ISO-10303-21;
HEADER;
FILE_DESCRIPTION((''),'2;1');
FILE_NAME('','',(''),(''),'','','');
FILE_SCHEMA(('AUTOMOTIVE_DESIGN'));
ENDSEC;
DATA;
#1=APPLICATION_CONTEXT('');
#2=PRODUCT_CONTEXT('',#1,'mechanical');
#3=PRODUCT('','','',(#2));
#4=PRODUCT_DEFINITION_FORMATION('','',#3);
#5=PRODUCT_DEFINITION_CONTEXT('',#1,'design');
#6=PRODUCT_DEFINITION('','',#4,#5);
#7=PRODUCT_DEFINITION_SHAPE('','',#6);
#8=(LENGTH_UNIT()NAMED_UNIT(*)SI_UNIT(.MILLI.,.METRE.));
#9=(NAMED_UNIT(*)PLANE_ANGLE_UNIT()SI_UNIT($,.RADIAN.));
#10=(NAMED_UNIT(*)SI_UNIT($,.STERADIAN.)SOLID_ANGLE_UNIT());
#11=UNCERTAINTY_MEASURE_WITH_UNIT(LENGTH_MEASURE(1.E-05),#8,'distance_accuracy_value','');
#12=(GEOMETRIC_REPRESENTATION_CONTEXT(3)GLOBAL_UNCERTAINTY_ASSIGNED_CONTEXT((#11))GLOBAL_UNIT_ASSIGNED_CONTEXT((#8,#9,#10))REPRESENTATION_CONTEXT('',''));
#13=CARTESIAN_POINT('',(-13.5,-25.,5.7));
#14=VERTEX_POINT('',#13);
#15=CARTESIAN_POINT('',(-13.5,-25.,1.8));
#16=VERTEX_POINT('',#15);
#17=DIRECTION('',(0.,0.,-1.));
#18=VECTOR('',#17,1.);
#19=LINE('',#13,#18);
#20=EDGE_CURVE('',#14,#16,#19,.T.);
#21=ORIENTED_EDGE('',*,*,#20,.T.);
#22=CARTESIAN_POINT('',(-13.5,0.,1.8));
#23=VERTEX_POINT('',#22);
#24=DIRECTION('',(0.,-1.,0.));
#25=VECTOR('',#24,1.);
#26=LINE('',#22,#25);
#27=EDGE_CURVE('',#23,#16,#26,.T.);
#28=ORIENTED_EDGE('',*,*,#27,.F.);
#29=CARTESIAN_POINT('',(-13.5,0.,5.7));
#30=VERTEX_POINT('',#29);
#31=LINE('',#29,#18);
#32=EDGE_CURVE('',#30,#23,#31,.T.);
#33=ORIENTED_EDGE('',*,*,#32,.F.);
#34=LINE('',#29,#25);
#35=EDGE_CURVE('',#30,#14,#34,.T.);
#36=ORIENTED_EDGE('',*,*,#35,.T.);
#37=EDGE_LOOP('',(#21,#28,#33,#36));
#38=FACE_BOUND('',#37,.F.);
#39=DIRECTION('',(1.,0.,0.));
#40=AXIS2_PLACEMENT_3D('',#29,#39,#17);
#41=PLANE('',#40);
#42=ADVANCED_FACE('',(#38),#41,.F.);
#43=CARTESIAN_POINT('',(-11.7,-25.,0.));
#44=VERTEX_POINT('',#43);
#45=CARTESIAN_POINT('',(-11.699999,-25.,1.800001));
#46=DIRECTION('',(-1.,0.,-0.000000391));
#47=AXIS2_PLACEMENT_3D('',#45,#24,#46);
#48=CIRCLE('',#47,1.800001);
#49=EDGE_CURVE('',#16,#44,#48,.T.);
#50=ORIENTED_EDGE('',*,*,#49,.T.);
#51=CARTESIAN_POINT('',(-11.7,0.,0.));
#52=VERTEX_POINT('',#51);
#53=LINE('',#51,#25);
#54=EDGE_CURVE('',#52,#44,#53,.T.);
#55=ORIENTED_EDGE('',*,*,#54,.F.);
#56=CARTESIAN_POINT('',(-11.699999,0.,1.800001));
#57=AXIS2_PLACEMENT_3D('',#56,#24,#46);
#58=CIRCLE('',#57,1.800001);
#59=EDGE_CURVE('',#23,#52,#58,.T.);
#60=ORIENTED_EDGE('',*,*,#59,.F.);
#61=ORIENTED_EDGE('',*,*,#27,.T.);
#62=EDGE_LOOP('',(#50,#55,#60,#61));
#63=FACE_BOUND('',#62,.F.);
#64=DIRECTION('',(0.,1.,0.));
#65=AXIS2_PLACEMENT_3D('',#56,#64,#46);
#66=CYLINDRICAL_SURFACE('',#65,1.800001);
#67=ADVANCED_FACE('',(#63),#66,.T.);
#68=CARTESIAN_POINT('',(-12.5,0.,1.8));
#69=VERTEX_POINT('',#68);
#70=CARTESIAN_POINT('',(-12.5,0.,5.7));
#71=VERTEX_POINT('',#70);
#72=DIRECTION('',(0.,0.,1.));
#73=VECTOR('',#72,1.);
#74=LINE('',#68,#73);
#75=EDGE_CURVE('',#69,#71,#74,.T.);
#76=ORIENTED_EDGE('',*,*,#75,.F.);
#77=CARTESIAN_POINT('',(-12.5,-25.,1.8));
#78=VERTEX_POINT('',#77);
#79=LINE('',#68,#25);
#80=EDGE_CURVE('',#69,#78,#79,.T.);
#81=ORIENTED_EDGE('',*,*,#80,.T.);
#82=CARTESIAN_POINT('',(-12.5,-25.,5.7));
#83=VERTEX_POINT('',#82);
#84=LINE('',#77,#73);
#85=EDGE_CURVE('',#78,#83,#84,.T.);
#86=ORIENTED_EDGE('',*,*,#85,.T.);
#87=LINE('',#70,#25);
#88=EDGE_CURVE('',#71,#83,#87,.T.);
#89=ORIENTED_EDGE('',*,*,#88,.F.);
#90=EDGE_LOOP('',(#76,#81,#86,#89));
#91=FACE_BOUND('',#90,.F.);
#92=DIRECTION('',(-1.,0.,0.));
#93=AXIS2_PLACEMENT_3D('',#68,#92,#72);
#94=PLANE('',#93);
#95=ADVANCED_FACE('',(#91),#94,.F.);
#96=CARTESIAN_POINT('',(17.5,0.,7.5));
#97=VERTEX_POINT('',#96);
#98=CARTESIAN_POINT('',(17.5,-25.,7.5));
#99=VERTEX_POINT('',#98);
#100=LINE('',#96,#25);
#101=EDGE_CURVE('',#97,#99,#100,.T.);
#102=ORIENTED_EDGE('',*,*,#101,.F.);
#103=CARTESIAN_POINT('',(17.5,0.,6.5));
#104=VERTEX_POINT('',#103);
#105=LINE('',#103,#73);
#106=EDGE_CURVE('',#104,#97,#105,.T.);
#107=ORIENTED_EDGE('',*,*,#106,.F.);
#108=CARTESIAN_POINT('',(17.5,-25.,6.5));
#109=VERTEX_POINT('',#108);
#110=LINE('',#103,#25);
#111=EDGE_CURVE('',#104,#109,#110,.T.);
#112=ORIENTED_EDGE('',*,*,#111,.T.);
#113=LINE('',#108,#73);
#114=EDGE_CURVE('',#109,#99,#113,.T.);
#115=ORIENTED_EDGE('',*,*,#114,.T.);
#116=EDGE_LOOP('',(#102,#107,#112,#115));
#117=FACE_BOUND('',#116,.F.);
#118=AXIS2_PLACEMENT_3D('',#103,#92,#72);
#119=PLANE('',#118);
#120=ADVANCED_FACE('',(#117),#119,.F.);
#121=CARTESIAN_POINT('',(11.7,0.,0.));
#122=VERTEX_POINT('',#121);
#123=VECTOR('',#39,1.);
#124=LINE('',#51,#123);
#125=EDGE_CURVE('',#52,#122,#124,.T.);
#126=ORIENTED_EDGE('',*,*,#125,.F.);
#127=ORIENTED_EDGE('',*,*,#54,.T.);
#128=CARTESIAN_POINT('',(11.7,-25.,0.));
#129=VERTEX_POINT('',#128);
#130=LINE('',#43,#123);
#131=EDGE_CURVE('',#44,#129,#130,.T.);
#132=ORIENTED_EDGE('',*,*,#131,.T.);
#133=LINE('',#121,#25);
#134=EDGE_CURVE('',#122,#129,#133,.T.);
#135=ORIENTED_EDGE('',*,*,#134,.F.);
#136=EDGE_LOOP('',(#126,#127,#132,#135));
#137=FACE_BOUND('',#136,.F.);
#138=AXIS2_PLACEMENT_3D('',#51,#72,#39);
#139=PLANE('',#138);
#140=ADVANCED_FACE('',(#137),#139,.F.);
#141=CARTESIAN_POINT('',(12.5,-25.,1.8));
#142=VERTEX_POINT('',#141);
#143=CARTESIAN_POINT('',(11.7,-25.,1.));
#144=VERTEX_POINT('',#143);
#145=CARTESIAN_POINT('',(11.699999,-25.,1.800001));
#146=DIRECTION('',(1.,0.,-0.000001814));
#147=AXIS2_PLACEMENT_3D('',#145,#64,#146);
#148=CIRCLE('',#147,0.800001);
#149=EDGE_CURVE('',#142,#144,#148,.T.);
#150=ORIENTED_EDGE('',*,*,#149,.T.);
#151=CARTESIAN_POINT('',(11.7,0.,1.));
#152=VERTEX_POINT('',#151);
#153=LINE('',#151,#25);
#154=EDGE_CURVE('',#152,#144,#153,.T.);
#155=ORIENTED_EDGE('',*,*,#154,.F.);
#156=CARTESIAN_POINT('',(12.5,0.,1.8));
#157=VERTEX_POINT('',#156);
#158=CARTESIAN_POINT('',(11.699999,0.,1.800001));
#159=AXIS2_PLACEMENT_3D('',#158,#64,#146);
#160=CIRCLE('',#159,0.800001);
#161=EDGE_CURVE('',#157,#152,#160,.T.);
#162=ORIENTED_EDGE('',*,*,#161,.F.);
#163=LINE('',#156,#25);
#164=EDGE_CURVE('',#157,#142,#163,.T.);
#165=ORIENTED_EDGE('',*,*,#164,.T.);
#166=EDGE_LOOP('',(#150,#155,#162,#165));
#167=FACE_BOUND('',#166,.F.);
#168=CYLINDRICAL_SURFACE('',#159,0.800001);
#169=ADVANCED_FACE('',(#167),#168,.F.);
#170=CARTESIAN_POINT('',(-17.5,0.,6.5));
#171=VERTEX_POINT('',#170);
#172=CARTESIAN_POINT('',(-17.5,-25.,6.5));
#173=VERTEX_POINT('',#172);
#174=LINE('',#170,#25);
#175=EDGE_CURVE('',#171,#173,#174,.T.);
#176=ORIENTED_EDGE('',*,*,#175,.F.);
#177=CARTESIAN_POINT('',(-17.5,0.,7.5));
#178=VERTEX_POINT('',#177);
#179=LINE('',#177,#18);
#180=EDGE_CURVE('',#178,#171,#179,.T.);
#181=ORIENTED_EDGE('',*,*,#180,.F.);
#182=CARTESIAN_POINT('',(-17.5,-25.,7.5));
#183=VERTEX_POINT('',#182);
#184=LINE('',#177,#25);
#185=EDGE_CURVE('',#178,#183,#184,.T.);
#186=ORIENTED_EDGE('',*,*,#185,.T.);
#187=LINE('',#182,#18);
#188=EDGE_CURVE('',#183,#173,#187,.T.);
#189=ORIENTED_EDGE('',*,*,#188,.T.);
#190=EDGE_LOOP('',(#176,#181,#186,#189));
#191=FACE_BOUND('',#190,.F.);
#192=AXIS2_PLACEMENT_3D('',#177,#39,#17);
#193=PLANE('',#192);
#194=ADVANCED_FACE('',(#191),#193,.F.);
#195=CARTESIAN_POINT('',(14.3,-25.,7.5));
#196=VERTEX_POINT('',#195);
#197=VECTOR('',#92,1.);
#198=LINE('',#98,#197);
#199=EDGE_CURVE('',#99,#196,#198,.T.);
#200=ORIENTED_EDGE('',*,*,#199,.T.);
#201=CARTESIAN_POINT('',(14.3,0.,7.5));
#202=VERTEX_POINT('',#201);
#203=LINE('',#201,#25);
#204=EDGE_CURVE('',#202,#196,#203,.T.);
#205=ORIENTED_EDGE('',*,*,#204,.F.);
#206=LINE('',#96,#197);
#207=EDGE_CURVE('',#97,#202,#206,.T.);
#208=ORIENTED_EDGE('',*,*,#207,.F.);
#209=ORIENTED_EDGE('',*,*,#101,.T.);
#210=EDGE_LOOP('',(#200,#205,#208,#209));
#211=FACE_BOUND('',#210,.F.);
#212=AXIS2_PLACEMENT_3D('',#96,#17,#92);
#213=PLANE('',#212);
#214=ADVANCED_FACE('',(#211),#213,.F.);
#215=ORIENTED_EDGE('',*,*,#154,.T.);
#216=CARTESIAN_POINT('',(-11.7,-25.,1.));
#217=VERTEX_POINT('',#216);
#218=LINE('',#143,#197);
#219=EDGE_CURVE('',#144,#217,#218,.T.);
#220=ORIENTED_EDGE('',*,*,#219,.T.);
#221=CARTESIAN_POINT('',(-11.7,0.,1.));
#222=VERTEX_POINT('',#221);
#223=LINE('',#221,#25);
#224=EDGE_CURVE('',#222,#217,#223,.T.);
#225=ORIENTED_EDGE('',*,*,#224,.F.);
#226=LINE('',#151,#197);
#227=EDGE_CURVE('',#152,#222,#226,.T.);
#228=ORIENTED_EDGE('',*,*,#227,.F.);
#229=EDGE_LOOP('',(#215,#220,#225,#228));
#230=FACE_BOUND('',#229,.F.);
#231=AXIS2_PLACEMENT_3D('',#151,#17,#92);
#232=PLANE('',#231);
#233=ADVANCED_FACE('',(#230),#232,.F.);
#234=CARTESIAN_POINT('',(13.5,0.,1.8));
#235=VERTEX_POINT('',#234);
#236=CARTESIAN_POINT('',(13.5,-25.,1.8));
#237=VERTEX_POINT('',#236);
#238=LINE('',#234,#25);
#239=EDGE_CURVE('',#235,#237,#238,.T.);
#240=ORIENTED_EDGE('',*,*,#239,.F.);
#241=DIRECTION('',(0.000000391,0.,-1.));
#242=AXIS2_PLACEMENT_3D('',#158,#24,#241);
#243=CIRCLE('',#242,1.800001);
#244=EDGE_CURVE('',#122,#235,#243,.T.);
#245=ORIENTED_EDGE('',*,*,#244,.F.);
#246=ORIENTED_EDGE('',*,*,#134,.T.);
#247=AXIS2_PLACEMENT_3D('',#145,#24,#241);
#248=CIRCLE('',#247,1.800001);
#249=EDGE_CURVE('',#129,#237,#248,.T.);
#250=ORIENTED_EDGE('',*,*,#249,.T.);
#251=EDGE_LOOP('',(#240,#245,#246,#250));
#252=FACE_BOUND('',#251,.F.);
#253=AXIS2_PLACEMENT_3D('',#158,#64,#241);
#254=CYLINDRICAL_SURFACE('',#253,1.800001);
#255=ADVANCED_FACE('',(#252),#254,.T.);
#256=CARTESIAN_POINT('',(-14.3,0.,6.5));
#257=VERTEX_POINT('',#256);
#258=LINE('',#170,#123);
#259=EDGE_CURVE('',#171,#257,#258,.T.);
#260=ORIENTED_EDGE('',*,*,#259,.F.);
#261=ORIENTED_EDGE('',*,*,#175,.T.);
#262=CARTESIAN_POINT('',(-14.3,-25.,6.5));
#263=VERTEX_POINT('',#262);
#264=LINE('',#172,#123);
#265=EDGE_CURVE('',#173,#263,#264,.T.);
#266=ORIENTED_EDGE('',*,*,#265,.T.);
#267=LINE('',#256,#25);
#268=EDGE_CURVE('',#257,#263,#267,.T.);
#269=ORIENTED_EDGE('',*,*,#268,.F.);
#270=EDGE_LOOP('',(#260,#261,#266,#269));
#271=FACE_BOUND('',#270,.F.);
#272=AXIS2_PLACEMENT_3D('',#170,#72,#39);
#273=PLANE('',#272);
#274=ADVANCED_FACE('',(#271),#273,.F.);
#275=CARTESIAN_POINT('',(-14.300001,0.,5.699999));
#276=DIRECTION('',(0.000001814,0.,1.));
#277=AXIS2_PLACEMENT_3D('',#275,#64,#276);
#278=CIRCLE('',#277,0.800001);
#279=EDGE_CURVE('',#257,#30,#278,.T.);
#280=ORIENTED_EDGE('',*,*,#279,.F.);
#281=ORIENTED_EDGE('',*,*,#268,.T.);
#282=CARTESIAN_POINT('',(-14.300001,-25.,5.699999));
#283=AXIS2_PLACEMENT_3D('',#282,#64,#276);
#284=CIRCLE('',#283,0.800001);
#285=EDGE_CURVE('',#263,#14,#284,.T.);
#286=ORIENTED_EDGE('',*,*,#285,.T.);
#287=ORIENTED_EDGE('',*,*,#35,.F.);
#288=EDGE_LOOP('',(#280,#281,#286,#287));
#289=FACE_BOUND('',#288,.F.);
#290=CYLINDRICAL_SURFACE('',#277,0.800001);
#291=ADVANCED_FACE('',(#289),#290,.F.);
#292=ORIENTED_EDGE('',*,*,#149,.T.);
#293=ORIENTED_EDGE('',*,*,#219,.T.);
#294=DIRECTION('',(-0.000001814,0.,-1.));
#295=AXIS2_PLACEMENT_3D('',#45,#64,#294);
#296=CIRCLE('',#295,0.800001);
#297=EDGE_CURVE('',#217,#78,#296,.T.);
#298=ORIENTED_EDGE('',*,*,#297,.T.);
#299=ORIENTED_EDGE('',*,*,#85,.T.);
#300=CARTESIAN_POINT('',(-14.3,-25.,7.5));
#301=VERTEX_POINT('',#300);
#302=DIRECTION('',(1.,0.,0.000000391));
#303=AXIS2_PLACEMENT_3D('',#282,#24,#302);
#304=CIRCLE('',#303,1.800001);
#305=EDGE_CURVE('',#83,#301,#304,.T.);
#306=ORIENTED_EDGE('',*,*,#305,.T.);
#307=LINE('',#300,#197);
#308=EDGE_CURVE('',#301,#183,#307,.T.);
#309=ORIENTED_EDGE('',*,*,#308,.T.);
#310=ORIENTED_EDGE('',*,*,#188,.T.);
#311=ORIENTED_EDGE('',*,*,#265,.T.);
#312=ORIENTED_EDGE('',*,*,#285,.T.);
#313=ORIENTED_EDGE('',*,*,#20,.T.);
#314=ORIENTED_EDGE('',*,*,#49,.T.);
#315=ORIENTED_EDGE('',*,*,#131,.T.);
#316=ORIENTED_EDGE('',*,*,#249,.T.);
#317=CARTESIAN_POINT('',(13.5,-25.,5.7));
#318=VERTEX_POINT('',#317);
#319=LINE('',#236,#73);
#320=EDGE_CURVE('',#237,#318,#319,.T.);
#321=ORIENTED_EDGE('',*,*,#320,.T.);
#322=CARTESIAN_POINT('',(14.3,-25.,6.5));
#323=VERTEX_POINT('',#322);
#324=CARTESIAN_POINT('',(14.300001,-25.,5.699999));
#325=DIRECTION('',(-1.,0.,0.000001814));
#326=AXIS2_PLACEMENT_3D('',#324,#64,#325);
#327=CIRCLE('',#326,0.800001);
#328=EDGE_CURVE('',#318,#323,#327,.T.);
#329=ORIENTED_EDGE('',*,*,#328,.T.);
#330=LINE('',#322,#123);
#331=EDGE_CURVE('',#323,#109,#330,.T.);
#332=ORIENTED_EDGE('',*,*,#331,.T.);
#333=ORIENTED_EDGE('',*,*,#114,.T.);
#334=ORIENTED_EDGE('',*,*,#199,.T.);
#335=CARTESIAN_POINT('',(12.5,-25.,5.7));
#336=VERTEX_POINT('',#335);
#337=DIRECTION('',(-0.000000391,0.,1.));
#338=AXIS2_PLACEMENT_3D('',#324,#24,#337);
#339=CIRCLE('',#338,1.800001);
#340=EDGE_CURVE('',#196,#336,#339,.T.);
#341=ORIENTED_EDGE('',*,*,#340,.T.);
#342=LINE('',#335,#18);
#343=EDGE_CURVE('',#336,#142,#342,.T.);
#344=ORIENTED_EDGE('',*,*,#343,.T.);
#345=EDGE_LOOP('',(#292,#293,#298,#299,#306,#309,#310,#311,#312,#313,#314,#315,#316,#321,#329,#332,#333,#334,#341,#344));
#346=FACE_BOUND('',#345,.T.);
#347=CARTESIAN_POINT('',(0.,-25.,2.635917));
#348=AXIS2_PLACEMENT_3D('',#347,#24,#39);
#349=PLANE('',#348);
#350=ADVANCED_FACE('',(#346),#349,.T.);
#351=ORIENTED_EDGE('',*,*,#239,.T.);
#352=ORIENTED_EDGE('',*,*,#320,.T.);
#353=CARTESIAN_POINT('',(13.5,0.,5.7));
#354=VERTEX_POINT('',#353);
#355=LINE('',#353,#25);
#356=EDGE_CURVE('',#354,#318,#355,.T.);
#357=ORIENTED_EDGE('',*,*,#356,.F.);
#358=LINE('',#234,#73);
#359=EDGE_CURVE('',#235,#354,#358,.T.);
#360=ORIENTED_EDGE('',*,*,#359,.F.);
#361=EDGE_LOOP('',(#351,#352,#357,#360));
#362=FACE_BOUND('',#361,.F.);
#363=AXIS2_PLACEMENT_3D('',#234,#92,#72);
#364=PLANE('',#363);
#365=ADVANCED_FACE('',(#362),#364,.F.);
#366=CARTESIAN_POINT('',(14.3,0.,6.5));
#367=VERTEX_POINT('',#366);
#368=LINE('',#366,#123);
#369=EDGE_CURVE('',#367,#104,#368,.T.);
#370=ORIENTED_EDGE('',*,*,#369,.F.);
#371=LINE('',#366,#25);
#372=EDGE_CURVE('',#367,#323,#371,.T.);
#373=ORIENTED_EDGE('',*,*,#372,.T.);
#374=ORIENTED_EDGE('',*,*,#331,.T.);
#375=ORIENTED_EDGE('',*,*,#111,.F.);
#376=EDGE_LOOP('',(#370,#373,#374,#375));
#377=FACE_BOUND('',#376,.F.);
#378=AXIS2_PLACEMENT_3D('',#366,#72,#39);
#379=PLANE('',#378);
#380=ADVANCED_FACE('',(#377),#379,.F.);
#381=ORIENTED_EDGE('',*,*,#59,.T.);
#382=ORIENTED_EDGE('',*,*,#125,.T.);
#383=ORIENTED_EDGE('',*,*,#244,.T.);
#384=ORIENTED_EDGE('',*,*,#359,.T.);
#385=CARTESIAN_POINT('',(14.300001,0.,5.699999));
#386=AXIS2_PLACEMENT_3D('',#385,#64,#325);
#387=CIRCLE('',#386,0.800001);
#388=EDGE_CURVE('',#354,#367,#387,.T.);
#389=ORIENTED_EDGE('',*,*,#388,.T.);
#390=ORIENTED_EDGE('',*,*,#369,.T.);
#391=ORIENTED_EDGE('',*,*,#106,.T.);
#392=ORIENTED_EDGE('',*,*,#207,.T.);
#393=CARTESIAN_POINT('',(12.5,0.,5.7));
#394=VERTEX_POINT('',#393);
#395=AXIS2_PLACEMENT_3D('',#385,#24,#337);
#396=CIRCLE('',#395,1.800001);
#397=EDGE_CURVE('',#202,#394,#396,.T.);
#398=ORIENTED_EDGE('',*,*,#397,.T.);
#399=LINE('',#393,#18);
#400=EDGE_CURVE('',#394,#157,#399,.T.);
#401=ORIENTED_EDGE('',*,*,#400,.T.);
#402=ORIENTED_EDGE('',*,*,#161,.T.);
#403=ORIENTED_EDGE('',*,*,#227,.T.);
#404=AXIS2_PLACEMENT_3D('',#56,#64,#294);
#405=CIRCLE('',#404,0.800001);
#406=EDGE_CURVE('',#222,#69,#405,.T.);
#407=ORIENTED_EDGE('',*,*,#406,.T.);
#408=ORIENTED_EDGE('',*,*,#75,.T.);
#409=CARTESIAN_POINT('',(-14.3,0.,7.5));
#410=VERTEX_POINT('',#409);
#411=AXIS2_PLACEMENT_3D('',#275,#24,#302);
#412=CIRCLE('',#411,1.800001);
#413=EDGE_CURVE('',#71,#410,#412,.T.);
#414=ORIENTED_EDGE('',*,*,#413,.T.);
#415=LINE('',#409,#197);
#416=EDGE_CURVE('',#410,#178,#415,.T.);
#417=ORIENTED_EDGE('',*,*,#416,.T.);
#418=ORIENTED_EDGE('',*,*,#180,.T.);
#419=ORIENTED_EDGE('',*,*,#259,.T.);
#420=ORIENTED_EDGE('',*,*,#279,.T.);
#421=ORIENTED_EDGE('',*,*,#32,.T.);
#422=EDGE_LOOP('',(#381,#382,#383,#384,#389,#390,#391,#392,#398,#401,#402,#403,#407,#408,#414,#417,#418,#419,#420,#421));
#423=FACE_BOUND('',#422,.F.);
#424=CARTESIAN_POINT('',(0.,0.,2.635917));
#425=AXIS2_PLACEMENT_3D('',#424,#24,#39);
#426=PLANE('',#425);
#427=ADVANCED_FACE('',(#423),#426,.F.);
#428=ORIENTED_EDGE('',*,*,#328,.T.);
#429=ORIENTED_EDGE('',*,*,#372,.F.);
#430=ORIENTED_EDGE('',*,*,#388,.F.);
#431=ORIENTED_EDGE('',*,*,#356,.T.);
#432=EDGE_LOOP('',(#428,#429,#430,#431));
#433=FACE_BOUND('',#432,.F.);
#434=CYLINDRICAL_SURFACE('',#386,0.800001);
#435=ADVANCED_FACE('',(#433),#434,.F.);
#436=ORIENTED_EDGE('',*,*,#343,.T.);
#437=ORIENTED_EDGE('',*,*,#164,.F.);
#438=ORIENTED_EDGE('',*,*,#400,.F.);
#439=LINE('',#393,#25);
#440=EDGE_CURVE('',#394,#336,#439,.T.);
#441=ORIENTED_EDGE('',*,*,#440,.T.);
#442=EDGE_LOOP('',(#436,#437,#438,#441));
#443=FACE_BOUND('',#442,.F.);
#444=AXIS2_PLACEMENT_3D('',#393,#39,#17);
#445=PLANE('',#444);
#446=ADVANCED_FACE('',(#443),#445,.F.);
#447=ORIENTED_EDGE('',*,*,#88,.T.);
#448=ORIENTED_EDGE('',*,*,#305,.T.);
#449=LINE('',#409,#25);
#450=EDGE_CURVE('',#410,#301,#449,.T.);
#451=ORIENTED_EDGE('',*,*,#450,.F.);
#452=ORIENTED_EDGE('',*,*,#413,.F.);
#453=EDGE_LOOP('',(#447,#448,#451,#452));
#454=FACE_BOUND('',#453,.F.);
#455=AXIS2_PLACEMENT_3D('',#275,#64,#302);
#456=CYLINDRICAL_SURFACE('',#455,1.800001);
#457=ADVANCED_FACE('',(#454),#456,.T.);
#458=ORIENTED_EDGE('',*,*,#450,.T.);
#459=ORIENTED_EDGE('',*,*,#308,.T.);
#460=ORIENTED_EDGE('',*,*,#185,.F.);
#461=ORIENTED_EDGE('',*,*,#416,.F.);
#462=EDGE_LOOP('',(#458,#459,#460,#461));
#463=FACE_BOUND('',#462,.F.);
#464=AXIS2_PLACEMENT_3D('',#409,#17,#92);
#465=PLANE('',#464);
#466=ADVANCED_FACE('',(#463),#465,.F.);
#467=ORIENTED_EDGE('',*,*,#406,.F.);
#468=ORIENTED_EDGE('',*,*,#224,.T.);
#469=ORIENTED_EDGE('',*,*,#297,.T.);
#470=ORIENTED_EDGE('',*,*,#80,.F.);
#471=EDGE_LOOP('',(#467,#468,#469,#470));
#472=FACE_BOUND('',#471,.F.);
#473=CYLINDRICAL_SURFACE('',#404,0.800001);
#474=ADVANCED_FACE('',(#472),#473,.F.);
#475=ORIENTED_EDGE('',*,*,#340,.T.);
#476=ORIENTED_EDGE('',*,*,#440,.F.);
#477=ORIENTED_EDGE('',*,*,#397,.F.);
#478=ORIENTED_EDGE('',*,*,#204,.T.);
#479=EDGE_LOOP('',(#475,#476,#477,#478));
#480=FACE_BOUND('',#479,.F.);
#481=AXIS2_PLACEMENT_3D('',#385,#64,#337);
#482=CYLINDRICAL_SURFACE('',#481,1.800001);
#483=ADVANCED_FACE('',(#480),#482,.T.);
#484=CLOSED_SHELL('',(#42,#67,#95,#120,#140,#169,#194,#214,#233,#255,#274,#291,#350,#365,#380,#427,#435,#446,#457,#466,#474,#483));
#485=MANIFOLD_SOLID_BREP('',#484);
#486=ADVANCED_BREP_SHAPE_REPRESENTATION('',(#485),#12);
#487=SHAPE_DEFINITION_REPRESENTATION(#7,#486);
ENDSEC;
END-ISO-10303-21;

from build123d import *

# Parameters (mm, degrees)
F1_DEPTH = 25


with BuildPart() as f1:
    # F0 (on Front) → F1 (new body)
    with BuildSketch(Plane.XZ):
        with BuildLine():
            Line((-11.7, 0), (0, 0))
            Line((0, 0), (11.7, 0))
            ThreePointArc((11.7, 0), (12.972792, 0.527208), (13.5, 1.8))
            Line((13.5, 1.8), (13.5, 5.7))
            ThreePointArc((13.5, 5.7), (13.734315, 6.265685), (14.3, 6.5))
            Line((14.3, 6.5), (17.5, 6.5))
            Line((17.5, 6.5), (17.5, 7.5))
            Line((17.5, 7.5), (14.3, 7.5))
            ThreePointArc((14.3, 7.5), (13.027208, 6.972792), (12.5, 5.7))
            Line((12.5, 5.7), (12.5, 1.8))
            ThreePointArc((12.5, 1.8), (12.265685, 1.234315), (11.7, 1))
            Line((11.7, 1), (0, 1))
            Line((0, 1), (-11.7, 1))
            ThreePointArc((-11.7, 1), (-12.265685, 1.234315), (-12.5, 1.8))
            Line((-12.5, 1.8), (-12.5, 5.7))
            ThreePointArc((-12.5, 5.7), (-13.027208, 6.972792), (-14.3, 7.5))
            Line((-14.3, 7.5), (-17.5, 7.5))
            Line((-17.5, 7.5), (-17.5, 6.5))
            Line((-17.5, 6.5), (-14.3, 6.5))
            ThreePointArc((-14.3, 6.5), (-13.734315, 6.265685), (-13.5, 5.7))
            Line((-13.5, 5.7), (-13.5, 1.8))
            ThreePointArc((-13.5, 1.8), (-12.972792, 0.527208), (-11.7, 0))
        make_face()
    extrude(amount=F1_DEPTH)


solid = f1.part
